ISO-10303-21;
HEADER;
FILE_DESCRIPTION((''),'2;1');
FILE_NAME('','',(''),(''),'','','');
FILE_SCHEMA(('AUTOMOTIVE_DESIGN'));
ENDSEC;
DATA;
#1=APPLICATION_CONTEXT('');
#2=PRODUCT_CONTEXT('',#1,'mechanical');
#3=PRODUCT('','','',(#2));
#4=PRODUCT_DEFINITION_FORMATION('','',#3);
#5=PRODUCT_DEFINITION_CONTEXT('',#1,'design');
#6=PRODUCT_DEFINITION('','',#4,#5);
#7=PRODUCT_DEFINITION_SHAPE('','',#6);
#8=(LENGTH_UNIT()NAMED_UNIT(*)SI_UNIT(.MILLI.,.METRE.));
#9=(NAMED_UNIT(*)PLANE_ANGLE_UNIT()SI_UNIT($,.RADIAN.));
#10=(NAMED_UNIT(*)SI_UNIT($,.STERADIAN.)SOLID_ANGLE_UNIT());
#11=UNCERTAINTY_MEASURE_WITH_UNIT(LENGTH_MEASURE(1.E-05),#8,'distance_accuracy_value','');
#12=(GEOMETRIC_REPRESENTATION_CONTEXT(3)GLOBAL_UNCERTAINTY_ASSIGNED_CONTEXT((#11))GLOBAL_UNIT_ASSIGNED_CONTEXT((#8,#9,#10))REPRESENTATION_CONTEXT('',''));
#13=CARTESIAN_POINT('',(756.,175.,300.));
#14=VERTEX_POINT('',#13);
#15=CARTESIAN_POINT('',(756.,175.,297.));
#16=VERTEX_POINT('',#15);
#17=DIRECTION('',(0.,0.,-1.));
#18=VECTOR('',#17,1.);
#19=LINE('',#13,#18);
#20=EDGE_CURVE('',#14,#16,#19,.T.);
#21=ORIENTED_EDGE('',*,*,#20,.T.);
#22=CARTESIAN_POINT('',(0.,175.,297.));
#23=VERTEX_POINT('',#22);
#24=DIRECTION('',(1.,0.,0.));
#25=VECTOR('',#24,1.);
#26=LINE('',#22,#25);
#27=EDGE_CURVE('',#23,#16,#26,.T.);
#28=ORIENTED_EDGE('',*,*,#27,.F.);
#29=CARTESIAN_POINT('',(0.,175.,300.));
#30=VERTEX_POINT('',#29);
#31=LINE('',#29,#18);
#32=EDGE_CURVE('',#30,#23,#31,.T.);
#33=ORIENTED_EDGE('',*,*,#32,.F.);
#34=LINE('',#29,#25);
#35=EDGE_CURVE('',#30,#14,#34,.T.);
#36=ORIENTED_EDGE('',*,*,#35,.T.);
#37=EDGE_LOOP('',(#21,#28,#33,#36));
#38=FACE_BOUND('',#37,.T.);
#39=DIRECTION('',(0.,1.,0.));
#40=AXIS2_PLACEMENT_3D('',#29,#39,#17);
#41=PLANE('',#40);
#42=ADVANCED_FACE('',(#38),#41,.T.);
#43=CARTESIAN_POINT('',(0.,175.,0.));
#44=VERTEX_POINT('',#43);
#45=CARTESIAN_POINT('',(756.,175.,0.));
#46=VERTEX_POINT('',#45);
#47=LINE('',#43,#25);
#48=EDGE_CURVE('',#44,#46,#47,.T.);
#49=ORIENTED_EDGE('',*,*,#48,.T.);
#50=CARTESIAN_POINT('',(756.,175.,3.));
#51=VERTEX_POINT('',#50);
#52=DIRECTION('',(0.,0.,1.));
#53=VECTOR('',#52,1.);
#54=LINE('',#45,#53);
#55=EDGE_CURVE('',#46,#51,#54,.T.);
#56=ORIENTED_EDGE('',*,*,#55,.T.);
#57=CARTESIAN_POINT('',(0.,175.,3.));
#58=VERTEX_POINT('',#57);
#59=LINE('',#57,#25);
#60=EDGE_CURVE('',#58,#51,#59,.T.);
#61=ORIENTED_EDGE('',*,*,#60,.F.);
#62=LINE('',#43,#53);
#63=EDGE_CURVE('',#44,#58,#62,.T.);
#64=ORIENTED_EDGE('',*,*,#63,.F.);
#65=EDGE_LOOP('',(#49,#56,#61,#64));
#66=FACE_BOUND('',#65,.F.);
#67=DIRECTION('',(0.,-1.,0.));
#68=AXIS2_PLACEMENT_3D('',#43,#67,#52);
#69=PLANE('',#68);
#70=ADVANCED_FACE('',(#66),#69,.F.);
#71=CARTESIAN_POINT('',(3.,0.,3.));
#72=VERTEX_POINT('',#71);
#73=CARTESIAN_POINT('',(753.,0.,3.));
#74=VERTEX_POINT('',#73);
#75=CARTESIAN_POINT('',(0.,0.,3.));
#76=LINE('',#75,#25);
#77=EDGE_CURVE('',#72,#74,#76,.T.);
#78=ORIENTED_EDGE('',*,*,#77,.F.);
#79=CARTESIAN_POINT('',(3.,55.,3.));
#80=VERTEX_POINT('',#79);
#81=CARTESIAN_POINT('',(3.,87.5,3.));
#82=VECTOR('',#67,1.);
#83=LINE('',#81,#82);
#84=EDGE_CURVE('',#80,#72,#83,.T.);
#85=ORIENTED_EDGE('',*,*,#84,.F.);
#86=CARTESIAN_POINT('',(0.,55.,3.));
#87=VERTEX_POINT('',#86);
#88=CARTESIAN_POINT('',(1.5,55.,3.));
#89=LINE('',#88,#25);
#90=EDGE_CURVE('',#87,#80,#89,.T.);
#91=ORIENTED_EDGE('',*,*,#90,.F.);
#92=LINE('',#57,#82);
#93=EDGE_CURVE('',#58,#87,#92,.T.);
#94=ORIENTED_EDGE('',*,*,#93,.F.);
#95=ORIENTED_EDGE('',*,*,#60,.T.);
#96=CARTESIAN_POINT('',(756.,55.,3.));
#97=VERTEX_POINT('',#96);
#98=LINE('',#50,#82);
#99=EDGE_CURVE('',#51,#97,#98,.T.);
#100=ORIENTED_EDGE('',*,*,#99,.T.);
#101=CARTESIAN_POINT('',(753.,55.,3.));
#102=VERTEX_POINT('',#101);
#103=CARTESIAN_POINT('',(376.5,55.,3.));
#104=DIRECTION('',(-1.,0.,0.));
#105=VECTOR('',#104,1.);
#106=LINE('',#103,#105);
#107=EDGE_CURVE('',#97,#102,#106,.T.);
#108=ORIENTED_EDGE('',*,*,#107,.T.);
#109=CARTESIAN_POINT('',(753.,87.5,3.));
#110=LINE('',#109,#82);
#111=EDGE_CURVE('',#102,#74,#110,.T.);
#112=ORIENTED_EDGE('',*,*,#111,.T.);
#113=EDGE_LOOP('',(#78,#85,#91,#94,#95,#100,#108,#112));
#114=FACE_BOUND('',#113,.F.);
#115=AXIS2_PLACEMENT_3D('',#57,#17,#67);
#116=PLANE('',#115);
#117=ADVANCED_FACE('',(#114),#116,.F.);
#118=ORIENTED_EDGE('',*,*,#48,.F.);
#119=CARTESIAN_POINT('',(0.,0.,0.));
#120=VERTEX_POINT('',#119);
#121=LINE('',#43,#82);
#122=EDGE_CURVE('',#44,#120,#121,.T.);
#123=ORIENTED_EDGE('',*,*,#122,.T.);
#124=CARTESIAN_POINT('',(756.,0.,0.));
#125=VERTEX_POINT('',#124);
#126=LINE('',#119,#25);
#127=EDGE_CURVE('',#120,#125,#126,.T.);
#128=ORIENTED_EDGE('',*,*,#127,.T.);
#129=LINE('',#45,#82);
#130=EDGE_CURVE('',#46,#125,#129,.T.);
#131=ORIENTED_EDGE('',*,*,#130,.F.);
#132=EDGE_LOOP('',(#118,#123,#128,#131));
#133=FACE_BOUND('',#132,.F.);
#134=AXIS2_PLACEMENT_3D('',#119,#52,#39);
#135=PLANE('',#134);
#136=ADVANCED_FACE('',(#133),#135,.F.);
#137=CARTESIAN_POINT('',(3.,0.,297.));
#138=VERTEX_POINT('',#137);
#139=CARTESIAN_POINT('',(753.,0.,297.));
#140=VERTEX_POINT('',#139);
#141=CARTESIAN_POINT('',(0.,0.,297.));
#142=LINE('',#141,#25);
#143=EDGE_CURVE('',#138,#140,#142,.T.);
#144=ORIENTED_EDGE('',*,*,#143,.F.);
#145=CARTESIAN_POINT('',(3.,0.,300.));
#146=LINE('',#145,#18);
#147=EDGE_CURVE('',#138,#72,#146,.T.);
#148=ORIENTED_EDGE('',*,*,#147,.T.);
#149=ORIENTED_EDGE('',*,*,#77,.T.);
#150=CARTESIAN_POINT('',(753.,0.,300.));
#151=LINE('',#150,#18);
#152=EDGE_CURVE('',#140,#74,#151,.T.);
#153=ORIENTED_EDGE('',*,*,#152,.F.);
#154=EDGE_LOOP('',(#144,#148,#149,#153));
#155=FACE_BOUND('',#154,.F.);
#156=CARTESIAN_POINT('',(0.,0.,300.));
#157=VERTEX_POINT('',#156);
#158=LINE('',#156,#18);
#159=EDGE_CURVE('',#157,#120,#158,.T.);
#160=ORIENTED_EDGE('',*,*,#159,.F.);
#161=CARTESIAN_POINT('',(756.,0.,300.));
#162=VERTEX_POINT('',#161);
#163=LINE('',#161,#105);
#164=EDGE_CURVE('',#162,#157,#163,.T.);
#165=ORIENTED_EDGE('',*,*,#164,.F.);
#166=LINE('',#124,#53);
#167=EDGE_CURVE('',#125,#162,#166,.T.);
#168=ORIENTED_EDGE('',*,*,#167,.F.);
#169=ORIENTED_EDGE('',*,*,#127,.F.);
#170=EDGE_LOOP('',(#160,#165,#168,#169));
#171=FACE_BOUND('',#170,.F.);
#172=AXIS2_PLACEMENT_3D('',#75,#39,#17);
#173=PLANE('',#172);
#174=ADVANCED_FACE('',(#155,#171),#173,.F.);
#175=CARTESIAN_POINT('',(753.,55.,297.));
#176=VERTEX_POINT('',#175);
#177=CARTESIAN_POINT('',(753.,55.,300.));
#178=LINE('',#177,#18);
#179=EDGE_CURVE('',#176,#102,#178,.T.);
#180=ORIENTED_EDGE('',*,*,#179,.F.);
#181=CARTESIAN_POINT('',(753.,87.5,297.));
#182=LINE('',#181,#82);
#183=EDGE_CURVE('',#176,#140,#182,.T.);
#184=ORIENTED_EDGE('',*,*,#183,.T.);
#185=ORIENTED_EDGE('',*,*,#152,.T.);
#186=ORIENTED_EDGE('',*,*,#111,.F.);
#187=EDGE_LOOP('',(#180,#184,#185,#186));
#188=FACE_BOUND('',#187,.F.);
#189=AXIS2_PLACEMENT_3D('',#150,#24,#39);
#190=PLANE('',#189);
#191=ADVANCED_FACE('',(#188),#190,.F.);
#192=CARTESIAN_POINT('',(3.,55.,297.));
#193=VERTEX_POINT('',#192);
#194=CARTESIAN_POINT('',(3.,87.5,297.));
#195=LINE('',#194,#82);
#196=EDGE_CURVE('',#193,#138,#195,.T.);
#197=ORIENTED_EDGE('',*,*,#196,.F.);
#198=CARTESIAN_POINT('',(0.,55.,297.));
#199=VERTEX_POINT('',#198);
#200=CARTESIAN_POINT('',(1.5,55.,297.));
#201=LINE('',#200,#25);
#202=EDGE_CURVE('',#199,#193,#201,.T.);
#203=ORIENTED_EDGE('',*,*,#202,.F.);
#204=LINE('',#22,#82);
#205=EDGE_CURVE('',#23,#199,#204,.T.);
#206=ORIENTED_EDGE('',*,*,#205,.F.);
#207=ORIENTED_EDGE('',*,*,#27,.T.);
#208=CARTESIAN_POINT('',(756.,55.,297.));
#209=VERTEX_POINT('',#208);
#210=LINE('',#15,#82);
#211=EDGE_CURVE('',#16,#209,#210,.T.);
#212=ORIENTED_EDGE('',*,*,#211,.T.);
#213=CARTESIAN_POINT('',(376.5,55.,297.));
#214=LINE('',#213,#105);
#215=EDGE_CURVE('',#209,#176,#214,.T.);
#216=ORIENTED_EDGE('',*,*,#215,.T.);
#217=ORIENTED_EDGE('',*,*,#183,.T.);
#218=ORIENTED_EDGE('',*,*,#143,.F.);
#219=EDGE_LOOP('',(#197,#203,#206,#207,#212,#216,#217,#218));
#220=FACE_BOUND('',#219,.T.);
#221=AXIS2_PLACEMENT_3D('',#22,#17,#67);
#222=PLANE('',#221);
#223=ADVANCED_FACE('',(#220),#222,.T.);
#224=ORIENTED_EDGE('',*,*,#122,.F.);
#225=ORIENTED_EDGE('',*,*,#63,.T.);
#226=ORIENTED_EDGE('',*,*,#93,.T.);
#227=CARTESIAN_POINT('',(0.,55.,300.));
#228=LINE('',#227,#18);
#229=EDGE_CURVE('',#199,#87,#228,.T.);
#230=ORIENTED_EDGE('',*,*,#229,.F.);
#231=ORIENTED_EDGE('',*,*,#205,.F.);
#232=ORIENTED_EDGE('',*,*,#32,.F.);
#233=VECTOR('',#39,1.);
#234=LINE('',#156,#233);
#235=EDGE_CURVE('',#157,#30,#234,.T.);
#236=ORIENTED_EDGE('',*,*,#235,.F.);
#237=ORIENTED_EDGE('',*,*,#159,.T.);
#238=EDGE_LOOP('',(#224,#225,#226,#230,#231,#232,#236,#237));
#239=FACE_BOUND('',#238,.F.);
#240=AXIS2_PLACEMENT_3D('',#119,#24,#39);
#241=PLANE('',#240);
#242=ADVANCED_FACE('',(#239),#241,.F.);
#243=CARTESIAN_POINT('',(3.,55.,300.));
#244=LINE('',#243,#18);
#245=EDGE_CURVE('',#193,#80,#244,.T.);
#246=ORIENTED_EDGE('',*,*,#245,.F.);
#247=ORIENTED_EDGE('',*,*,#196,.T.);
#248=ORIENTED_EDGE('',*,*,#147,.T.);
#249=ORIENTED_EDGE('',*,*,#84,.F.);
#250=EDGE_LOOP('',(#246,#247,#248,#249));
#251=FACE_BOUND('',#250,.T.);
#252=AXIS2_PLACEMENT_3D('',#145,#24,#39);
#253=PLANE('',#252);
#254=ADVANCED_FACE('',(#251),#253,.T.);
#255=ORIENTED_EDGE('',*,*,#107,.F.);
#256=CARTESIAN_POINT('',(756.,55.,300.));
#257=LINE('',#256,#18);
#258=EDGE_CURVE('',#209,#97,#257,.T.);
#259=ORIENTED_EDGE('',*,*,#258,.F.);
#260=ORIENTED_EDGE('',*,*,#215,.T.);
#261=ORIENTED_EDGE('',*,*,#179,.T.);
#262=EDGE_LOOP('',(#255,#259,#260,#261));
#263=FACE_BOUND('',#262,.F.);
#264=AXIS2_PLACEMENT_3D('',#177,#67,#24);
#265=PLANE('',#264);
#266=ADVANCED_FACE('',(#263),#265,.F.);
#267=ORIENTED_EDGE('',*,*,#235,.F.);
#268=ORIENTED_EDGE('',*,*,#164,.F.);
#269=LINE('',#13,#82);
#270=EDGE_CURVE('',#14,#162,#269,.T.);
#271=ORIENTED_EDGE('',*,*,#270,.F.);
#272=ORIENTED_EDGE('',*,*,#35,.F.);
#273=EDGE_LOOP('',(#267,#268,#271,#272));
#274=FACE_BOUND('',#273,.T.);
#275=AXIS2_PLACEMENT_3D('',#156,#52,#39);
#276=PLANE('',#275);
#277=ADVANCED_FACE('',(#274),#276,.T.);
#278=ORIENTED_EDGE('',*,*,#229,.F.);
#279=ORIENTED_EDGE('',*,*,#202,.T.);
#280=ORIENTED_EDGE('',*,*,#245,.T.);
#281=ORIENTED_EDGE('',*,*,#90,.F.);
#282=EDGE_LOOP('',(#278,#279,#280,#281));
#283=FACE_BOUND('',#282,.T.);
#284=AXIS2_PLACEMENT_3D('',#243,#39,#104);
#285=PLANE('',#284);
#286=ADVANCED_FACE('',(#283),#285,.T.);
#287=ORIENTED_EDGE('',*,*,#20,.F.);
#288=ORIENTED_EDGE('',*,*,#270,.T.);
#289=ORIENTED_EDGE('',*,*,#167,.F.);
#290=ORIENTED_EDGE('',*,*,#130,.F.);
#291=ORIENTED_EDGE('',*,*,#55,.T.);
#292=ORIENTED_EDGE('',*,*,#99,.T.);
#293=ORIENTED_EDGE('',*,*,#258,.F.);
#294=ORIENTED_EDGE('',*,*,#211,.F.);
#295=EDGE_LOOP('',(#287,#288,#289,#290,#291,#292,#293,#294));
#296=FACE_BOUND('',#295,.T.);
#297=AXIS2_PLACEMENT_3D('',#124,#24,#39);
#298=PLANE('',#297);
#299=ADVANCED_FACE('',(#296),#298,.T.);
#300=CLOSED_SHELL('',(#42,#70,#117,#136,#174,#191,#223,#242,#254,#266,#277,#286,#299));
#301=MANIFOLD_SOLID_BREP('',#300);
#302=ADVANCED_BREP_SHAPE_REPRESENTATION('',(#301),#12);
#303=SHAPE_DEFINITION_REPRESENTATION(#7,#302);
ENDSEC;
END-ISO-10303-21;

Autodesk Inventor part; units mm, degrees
ref_plane "YZ Plane" through (0, 0, 0) normal (1, 0, 0) x (0, 1, 0)
ref_plane "XZ Plane" through (0, 0, 0) normal (0, 1, 0) x (-1, 0, 0)
ref_plane "XY Plane" through (0, 0, 0) normal (0, 0, 1) x (1, 0, 0)
sketch "Sketch2" plane through (0, 0, 0) normal (1, 0, 0) x (0, 1, 0)
  line L0 (0, 0) -> (175, 0)
  line L1 (175, 0) -> (175, 3)
  line L2 (175, 3) -> (0, 3)
  line L3 (0, 3) -> (0, 0)
  line L4 (0, 300) -> (175, 300)
  line L5 (175, 300) -> (175, 297)
  line L6 (175, 297) -> (0, 297)
  line L7 (0, 297) -> (0, 300)
  dimension "d8" = 175
  dimension "d9" = 3
  dimension "d10" = 175
  dimension "d11" = 3
extrude "Extrusion2" add sketch "Sketch2" along normal blind 756
sketch "Sketch3" plane through (0, 0, 300) normal (0, 0, 1) x (1, 0, 0)
  point P0 (0, 0)
sketch "Sketch4" plane through (0, 0, 300) normal (0, 0, 1) x (1, 0, 0)
  line L0 (0, 0) -> (3, 0)
  line L1 (3, 0) -> (3, 55)
  line L2 (3, 55) -> (0, 55)
  line L3 (0, 55) -> (0, 0)
  line L4 (756, 0) -> (753, 0)
  line L5 (753, 0) -> (753, 55)
  line L6 (753, 55) -> (756, 55)
  line L7 (756, 55) -> (756, 0)
  dimension "d14" = 3
  dimension "d15" = 55
  dimension "d16" = 3
  dimension "d17" = 55
extrude "Extrusion3" add sketch "Sketch4" against normal through all
sketch "Sketch5" plane through (0, 0, 300) normal (0, 0, 1) x (1, 0, 0)
  point P0 (0, 0)
properties part number "Walls"
